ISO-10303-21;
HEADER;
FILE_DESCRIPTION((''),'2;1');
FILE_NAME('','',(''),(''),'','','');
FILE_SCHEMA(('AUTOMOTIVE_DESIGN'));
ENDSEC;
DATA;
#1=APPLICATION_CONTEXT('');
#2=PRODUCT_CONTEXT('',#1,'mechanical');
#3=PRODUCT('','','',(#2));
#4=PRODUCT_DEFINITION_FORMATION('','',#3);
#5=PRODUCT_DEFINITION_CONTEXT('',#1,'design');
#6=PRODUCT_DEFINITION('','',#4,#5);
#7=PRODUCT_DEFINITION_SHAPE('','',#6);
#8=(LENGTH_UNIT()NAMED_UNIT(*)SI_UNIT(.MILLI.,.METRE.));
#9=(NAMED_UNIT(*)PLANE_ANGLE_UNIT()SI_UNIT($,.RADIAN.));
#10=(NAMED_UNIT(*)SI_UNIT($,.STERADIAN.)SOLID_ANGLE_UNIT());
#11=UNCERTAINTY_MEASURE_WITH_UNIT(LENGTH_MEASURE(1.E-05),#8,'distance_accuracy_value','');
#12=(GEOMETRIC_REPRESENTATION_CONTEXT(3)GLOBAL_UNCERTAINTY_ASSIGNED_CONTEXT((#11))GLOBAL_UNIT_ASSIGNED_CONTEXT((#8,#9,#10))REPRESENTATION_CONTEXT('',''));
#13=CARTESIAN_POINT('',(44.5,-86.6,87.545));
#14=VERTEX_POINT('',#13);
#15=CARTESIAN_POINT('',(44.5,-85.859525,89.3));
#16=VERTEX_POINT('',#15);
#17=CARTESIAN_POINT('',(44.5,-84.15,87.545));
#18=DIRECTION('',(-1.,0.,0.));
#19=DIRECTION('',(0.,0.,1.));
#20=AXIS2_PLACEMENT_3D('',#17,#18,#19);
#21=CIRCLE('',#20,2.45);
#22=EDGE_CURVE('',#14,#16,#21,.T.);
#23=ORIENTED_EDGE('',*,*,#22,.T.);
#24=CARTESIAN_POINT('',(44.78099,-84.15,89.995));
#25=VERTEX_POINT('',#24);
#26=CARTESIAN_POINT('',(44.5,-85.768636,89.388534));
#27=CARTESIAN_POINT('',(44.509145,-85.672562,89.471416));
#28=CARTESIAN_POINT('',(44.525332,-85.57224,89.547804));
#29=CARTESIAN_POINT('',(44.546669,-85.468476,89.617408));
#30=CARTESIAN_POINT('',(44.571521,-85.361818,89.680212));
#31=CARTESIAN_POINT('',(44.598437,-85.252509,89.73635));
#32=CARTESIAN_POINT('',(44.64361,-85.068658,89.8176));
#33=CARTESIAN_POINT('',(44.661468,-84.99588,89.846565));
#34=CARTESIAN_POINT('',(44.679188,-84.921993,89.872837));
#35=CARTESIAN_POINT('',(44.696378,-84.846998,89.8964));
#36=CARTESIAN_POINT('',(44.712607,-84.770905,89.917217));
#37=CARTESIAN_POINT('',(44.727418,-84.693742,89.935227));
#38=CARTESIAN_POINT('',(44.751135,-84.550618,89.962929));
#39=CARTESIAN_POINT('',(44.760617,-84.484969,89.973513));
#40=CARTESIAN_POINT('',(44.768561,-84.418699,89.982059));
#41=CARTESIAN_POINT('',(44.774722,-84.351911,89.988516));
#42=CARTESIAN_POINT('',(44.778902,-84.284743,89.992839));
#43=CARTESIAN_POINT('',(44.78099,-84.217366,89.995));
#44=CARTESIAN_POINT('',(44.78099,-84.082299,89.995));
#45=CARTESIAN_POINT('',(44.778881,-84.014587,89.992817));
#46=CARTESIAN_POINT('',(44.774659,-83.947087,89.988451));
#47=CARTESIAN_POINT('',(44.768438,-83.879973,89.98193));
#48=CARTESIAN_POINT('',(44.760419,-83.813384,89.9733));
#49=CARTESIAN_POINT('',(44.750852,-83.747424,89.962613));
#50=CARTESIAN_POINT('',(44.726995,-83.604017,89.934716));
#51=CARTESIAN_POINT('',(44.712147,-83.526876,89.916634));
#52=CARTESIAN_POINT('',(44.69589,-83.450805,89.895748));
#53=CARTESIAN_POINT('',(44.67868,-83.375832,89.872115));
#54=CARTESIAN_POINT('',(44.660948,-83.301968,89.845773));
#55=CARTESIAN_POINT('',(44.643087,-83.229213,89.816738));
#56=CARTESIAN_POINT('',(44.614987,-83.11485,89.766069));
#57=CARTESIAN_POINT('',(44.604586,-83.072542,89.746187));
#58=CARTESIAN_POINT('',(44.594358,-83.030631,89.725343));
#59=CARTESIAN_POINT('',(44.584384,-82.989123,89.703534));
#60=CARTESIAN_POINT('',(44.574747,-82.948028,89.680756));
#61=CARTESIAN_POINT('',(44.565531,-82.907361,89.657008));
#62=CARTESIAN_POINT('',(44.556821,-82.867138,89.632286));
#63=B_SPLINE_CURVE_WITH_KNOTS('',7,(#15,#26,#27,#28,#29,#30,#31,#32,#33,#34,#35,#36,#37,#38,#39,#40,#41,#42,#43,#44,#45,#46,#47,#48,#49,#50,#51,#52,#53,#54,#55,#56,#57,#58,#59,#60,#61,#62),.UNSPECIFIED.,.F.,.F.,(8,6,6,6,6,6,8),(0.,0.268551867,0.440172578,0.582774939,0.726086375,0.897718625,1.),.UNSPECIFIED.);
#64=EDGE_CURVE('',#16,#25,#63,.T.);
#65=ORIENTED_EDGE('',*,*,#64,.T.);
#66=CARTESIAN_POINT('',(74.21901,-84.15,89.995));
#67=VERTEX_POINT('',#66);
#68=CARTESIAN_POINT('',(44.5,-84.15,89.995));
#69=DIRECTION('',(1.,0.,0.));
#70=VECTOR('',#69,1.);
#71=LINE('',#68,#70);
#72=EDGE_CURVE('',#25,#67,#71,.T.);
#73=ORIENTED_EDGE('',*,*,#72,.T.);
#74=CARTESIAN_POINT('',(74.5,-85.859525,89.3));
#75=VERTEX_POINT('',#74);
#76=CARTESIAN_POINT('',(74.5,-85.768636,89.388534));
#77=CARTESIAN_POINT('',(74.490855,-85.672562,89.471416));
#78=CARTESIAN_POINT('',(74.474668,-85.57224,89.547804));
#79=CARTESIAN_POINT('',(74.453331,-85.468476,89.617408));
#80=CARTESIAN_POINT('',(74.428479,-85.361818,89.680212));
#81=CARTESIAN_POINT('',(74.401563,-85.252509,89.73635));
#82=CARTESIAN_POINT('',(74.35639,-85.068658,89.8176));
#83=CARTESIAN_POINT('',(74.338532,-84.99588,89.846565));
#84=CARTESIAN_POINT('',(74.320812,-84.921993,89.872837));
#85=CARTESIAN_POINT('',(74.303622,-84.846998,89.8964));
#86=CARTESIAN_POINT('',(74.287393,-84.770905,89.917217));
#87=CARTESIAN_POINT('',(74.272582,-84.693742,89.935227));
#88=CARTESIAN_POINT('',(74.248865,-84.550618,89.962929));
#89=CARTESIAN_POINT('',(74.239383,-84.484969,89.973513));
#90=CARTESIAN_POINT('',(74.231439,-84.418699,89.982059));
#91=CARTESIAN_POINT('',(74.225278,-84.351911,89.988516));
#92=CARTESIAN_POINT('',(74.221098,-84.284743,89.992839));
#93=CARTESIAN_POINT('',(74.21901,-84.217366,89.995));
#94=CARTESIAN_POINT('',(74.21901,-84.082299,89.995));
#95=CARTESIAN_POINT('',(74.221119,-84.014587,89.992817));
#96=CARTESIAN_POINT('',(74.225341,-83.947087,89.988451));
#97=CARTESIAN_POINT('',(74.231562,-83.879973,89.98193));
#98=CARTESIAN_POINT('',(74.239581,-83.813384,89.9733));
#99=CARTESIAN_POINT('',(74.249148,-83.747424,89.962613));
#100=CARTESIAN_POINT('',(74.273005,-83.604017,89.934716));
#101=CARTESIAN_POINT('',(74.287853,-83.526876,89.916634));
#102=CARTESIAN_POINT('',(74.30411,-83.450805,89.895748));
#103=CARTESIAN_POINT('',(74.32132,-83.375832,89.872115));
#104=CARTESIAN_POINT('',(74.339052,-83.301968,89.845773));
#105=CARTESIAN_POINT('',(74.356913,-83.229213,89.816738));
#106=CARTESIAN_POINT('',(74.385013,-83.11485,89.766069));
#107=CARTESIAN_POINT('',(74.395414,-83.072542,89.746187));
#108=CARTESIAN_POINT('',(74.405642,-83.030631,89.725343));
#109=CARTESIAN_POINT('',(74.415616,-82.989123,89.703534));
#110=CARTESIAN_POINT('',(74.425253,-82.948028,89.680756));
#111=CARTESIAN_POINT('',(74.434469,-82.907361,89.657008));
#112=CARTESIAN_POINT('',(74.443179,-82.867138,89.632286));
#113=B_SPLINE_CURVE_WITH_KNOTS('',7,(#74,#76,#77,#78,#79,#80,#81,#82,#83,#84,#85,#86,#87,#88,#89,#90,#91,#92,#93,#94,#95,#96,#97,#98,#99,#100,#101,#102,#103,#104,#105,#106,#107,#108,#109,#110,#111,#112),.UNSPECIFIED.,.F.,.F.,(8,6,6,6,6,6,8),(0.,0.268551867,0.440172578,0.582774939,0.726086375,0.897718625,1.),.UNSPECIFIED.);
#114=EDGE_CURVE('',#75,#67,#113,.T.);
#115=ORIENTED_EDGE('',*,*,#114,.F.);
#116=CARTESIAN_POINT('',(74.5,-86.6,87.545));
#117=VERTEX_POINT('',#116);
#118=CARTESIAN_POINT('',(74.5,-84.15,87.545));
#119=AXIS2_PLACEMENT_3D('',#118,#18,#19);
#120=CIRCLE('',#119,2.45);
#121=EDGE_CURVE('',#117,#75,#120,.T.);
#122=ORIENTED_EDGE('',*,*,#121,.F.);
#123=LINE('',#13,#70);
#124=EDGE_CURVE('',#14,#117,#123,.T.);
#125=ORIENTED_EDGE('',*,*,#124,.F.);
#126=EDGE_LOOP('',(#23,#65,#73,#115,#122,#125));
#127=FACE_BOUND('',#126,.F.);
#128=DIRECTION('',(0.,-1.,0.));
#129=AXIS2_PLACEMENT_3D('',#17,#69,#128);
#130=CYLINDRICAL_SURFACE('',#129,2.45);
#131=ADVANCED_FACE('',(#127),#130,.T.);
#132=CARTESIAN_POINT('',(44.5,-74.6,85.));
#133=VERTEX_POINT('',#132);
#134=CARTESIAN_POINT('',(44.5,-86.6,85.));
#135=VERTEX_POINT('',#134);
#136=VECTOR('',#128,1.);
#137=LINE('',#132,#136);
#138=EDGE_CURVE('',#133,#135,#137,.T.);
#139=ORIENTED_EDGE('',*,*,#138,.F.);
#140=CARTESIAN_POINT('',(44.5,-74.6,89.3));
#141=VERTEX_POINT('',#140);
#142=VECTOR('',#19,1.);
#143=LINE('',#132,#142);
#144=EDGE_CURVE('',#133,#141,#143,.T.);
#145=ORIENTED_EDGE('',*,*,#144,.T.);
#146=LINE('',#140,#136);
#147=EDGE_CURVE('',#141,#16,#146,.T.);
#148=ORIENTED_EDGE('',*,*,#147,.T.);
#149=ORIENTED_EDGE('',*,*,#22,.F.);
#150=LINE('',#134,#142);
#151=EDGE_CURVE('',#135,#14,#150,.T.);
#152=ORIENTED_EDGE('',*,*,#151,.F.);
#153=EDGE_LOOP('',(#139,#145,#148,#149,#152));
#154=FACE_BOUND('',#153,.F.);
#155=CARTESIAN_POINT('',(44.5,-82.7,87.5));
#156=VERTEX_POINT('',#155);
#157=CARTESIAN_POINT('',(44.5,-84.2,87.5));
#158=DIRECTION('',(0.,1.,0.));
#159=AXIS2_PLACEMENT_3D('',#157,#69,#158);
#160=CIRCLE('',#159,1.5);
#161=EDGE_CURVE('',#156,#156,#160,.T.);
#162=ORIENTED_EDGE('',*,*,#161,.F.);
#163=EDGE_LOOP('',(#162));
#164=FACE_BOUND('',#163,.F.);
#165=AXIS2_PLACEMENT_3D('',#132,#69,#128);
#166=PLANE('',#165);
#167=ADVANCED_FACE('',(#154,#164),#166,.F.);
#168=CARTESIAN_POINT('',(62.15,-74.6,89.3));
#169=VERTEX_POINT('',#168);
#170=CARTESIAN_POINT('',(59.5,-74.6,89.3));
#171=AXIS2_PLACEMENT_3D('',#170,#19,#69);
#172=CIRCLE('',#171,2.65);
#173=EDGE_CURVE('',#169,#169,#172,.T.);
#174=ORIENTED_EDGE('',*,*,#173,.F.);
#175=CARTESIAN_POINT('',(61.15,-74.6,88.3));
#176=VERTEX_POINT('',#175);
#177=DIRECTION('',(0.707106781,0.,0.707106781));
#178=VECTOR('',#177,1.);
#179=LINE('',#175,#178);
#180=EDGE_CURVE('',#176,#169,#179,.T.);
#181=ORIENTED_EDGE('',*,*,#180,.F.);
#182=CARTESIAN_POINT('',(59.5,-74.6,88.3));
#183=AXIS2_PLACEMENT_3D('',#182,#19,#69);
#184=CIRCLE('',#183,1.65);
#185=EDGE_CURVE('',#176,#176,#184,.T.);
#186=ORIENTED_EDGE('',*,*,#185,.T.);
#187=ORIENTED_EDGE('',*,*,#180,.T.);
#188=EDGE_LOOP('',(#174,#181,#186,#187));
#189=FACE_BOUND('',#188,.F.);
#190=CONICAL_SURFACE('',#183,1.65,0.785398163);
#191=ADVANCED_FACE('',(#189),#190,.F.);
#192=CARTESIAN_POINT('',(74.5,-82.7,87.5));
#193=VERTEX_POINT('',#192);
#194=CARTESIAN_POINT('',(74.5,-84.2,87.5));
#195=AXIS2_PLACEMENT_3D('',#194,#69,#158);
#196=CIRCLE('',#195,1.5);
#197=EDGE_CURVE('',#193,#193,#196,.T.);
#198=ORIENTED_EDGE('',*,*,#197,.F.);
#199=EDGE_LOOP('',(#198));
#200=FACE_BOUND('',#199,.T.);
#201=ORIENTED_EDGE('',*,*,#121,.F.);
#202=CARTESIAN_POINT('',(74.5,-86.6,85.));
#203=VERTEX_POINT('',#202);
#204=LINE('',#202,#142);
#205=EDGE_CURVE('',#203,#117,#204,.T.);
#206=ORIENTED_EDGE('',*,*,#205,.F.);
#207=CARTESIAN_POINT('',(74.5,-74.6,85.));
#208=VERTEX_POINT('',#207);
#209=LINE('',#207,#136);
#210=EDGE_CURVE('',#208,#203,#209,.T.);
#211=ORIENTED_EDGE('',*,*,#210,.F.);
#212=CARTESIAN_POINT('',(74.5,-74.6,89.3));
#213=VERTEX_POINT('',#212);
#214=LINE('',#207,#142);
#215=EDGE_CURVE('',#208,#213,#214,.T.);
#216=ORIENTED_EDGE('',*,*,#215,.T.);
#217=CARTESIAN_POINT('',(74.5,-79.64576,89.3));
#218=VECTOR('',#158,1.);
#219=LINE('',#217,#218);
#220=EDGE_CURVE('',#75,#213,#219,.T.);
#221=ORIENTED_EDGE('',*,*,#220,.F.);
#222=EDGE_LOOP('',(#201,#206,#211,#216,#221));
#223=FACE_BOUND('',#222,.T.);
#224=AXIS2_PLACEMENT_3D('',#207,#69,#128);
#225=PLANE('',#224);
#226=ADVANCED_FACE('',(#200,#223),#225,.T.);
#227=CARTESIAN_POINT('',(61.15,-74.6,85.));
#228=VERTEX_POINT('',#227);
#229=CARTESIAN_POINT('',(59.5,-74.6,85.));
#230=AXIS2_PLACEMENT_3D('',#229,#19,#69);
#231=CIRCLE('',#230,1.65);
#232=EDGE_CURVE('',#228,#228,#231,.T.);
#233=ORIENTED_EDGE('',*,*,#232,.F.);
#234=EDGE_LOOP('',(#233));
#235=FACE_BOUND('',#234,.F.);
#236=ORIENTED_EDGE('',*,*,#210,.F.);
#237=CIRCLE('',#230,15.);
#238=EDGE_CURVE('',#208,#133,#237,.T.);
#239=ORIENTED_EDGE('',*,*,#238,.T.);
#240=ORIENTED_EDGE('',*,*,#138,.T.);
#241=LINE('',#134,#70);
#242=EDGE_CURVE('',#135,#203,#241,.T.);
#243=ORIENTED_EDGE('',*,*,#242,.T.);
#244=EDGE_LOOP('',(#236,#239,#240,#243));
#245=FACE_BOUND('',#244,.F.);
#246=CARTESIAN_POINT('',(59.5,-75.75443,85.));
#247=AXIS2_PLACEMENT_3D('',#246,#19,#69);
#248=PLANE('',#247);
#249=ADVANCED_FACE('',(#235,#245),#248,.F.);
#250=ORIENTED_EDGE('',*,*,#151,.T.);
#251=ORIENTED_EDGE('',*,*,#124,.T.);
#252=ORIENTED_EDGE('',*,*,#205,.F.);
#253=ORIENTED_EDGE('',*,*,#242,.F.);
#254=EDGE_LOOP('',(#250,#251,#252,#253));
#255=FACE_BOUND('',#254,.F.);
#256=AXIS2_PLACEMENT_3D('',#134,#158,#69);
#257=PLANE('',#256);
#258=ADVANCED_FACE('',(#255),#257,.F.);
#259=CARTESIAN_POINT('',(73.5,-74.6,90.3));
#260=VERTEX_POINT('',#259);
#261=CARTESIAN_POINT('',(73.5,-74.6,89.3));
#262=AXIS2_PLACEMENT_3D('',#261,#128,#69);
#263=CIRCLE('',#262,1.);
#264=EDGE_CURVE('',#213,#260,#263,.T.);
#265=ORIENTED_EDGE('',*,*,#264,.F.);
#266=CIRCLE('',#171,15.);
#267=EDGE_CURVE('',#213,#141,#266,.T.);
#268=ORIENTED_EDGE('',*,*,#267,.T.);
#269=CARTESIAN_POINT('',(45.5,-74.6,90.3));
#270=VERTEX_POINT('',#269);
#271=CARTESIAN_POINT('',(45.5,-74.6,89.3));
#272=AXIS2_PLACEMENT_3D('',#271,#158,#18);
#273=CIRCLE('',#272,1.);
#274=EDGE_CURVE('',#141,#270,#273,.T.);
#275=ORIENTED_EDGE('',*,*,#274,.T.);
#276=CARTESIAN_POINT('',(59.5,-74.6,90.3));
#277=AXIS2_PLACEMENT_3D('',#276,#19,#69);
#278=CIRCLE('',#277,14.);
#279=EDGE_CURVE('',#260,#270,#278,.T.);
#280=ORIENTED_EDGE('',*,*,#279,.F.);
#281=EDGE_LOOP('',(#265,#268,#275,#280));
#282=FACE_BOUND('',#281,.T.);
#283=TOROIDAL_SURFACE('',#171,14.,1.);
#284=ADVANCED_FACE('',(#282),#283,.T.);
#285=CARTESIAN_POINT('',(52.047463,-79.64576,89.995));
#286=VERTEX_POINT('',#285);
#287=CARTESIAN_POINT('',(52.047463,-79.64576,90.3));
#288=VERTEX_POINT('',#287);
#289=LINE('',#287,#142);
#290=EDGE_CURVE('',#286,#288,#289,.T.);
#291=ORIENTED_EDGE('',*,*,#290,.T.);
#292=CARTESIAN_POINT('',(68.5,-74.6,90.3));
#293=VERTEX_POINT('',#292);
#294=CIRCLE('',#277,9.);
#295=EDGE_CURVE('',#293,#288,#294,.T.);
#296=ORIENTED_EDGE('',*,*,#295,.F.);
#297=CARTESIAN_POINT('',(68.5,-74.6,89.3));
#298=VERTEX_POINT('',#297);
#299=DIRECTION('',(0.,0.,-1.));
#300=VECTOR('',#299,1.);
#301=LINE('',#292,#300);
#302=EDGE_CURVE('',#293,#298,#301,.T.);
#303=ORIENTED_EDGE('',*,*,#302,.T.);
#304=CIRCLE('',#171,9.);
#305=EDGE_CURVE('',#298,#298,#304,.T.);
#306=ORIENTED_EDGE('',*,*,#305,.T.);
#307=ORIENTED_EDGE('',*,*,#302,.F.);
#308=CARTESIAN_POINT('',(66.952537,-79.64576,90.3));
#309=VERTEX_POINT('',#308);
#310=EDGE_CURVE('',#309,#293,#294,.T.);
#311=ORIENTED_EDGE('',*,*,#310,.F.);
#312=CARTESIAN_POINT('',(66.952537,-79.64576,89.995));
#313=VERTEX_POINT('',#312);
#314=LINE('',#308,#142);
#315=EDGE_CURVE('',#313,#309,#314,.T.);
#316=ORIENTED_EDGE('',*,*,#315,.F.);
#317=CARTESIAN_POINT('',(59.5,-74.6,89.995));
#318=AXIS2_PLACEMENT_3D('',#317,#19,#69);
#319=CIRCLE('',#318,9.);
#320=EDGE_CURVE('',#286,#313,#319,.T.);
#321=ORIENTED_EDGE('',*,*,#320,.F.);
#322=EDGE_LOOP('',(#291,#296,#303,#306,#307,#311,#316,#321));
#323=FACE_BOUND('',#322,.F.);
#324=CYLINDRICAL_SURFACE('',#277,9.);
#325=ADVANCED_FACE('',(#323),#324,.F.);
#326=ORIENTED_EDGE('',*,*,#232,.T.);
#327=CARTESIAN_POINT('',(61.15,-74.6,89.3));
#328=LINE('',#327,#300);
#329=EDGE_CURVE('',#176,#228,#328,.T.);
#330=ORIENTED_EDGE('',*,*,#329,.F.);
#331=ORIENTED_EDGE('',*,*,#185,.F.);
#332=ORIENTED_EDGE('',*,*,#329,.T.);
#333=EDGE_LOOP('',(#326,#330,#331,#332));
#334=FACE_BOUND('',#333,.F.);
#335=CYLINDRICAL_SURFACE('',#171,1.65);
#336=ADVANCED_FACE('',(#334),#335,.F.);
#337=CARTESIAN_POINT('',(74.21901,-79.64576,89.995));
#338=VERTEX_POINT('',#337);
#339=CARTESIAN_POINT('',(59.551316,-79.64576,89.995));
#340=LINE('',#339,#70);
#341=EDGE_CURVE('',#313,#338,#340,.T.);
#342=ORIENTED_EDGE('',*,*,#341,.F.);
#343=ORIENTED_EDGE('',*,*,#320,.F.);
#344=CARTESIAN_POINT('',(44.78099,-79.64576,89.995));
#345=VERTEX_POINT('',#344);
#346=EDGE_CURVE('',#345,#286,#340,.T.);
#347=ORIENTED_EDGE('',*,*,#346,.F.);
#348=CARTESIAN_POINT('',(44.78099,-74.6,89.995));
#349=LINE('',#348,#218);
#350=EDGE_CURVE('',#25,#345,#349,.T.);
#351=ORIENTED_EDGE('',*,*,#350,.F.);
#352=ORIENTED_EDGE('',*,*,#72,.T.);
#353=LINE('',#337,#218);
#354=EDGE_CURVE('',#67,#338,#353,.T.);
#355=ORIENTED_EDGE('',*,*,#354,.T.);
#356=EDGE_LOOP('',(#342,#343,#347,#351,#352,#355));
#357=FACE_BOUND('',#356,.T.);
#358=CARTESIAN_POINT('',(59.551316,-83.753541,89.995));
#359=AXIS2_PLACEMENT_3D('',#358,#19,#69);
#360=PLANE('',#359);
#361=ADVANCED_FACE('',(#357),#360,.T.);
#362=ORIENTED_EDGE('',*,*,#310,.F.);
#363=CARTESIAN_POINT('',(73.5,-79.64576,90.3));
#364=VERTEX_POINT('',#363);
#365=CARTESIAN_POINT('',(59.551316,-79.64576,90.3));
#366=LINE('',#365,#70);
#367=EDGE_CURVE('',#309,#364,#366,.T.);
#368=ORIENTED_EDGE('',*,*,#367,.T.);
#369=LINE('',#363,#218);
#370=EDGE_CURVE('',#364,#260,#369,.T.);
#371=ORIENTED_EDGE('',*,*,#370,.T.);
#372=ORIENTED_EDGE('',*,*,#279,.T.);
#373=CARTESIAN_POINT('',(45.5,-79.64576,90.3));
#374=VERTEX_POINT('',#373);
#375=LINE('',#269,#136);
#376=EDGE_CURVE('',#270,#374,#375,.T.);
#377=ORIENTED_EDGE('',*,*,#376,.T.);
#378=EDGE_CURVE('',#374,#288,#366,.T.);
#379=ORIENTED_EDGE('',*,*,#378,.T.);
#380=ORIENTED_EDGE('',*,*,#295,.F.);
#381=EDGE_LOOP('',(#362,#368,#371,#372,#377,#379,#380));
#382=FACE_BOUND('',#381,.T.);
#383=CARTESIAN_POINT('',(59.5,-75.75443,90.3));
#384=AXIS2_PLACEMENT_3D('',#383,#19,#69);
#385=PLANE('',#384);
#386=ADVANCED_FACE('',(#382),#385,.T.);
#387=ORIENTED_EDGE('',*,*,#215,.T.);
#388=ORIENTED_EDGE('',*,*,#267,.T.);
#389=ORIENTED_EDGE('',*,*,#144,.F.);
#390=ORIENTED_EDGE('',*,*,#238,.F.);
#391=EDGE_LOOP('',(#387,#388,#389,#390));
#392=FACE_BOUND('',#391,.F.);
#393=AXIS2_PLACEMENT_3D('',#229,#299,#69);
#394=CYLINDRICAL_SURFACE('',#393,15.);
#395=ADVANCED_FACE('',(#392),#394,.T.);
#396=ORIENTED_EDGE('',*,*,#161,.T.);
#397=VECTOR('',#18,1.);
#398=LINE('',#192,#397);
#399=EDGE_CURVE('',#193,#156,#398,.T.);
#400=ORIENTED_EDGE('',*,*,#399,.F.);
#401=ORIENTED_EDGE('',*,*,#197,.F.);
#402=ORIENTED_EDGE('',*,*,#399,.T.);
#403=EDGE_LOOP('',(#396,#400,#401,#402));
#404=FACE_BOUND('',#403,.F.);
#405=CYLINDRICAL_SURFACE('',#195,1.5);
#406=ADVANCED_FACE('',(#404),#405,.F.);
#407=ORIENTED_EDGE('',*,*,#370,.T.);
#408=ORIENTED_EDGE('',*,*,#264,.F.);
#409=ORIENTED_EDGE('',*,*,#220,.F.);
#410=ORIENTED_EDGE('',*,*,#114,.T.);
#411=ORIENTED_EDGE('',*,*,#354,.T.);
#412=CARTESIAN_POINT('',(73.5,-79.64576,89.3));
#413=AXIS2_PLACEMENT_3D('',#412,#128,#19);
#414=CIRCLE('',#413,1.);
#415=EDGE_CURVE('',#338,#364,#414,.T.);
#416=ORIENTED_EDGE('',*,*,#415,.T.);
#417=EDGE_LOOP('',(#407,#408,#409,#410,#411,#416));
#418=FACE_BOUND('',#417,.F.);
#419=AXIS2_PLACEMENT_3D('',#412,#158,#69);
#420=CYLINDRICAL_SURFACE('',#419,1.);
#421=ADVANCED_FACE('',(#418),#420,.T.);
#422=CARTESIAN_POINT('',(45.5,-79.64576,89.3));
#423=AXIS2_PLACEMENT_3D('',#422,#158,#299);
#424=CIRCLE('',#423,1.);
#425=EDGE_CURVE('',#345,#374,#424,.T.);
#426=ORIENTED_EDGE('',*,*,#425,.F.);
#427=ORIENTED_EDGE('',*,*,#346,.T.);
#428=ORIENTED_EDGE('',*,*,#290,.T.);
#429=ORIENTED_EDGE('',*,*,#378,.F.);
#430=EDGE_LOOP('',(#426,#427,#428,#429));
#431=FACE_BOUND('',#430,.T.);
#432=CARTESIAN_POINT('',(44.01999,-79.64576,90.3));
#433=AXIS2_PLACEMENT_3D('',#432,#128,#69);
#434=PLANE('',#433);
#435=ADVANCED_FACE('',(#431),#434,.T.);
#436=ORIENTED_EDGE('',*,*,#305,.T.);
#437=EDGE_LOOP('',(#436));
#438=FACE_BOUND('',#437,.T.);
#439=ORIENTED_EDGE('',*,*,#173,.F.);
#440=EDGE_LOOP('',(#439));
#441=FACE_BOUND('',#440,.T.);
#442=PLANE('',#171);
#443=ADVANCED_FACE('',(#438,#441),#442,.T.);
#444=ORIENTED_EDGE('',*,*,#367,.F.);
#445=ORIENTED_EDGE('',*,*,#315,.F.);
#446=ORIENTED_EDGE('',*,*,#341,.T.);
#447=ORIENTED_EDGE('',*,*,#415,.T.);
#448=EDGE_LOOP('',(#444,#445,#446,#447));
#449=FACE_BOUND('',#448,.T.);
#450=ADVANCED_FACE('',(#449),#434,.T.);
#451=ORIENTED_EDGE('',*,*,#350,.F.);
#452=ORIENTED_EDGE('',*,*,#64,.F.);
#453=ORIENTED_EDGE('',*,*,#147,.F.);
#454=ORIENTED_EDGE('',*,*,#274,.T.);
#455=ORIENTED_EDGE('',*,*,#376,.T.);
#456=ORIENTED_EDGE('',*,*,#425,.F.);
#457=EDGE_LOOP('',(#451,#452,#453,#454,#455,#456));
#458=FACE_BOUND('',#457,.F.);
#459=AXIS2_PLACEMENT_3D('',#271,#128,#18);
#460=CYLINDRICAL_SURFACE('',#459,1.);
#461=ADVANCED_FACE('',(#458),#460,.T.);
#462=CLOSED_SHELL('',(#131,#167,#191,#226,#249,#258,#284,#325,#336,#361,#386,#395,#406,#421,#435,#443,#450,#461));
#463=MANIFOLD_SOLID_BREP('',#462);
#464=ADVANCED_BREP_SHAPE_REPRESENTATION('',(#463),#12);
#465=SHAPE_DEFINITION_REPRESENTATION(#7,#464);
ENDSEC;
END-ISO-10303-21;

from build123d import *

# Parameters (mm, degrees)
PAD010_DEPTH    = 5.3
SKETCH022_W     = 31.062653
SKETCH022_H     = 8.215561
POCKET008_DEPTH = 0.305
FILLET003_R     = 2.45
FILLET004_R     = 1
SKETCH023_R     = 9
POCKET009_DEPTH = 1
SKETCH024_R     = 1.65
POCKET010_DEPTH = 5
SKETCH025_R     = 1.5
POCKET011_DEPTH = 31
CHAMFER_SIZE    = 1


with BuildPart() as part:
    # Sketch021 → Pad010 (new body)
    with BuildSketch(Plane.XY):
        with BuildLine():
            ThreePointArc((15, 0), (0, 15), (-15, 0))
            Line((-15, 0), (-15, -12))
            Line((-15, -12), (15, -12))
            Line((15, 0), (15, -12))
        make_face()
    extrude(amount=PAD010_DEPTH)

    # Sketch022 (on Face6 of Pad010) → Pocket008 (cut)
    with BuildSketch(Plane.XY.offset(5.3)):
        with Locations((0.051316, -9.153541)):
            Rectangle(SKETCH022_W, SKETCH022_H)
    extrude(amount=-POCKET008_DEPTH, mode=Mode.SUBTRACT)

    # Fillet003
    fillet003_edges = [part.edges().sort_by_distance(p)[0] for p in [
        (0, -12, 4.995),
    ]]
    fillet(fillet003_edges, radius=FILLET003_R)

    # Fillet004
    fillet004_edges = [part.edges().sort_by_distance(p)[0] for p in [
        (0, 15, 5.3),
    ]]
    fillet(fillet004_edges, radius=FILLET004_R)

    # Sketch023 (on Face12 of Fillet004) → Pocket009 (cut)
    with BuildSketch(Plane.XY.offset(5.3)):
        Circle(SKETCH023_R)
    extrude(amount=-POCKET009_DEPTH, mode=Mode.SUBTRACT)

    # Sketch024 (on Face15 of Pocket009) → Pocket010 (cut)
    with BuildSketch(Plane.XY.offset(4.3)):
        Circle(SKETCH024_R)
    extrude(amount=-POCKET010_DEPTH, mode=Mode.SUBTRACT)

    # Sketch025 (on Face1 of Pocket010) → Pocket011 (cut)
    with BuildSketch(Plane.YZ.offset(15)):
        with Locations((-9.6, 2.5)):
            Circle(SKETCH025_R)
    extrude(amount=-POCKET011_DEPTH, mode=Mode.SUBTRACT)

    # Chamfer
    chamfer_edges = [part.edges().sort_by_distance(p)[0] for p in [
        (-1.65, 0, 4.3),
    ]]
    chamfer(chamfer_edges, length=CHAMFER_SIZE)


with BuildPart() as part_1:
    # Body006 placement: moved
    add(part.part.moved(Location((59.5, -74.6, 85))))


solid = part_1.part
